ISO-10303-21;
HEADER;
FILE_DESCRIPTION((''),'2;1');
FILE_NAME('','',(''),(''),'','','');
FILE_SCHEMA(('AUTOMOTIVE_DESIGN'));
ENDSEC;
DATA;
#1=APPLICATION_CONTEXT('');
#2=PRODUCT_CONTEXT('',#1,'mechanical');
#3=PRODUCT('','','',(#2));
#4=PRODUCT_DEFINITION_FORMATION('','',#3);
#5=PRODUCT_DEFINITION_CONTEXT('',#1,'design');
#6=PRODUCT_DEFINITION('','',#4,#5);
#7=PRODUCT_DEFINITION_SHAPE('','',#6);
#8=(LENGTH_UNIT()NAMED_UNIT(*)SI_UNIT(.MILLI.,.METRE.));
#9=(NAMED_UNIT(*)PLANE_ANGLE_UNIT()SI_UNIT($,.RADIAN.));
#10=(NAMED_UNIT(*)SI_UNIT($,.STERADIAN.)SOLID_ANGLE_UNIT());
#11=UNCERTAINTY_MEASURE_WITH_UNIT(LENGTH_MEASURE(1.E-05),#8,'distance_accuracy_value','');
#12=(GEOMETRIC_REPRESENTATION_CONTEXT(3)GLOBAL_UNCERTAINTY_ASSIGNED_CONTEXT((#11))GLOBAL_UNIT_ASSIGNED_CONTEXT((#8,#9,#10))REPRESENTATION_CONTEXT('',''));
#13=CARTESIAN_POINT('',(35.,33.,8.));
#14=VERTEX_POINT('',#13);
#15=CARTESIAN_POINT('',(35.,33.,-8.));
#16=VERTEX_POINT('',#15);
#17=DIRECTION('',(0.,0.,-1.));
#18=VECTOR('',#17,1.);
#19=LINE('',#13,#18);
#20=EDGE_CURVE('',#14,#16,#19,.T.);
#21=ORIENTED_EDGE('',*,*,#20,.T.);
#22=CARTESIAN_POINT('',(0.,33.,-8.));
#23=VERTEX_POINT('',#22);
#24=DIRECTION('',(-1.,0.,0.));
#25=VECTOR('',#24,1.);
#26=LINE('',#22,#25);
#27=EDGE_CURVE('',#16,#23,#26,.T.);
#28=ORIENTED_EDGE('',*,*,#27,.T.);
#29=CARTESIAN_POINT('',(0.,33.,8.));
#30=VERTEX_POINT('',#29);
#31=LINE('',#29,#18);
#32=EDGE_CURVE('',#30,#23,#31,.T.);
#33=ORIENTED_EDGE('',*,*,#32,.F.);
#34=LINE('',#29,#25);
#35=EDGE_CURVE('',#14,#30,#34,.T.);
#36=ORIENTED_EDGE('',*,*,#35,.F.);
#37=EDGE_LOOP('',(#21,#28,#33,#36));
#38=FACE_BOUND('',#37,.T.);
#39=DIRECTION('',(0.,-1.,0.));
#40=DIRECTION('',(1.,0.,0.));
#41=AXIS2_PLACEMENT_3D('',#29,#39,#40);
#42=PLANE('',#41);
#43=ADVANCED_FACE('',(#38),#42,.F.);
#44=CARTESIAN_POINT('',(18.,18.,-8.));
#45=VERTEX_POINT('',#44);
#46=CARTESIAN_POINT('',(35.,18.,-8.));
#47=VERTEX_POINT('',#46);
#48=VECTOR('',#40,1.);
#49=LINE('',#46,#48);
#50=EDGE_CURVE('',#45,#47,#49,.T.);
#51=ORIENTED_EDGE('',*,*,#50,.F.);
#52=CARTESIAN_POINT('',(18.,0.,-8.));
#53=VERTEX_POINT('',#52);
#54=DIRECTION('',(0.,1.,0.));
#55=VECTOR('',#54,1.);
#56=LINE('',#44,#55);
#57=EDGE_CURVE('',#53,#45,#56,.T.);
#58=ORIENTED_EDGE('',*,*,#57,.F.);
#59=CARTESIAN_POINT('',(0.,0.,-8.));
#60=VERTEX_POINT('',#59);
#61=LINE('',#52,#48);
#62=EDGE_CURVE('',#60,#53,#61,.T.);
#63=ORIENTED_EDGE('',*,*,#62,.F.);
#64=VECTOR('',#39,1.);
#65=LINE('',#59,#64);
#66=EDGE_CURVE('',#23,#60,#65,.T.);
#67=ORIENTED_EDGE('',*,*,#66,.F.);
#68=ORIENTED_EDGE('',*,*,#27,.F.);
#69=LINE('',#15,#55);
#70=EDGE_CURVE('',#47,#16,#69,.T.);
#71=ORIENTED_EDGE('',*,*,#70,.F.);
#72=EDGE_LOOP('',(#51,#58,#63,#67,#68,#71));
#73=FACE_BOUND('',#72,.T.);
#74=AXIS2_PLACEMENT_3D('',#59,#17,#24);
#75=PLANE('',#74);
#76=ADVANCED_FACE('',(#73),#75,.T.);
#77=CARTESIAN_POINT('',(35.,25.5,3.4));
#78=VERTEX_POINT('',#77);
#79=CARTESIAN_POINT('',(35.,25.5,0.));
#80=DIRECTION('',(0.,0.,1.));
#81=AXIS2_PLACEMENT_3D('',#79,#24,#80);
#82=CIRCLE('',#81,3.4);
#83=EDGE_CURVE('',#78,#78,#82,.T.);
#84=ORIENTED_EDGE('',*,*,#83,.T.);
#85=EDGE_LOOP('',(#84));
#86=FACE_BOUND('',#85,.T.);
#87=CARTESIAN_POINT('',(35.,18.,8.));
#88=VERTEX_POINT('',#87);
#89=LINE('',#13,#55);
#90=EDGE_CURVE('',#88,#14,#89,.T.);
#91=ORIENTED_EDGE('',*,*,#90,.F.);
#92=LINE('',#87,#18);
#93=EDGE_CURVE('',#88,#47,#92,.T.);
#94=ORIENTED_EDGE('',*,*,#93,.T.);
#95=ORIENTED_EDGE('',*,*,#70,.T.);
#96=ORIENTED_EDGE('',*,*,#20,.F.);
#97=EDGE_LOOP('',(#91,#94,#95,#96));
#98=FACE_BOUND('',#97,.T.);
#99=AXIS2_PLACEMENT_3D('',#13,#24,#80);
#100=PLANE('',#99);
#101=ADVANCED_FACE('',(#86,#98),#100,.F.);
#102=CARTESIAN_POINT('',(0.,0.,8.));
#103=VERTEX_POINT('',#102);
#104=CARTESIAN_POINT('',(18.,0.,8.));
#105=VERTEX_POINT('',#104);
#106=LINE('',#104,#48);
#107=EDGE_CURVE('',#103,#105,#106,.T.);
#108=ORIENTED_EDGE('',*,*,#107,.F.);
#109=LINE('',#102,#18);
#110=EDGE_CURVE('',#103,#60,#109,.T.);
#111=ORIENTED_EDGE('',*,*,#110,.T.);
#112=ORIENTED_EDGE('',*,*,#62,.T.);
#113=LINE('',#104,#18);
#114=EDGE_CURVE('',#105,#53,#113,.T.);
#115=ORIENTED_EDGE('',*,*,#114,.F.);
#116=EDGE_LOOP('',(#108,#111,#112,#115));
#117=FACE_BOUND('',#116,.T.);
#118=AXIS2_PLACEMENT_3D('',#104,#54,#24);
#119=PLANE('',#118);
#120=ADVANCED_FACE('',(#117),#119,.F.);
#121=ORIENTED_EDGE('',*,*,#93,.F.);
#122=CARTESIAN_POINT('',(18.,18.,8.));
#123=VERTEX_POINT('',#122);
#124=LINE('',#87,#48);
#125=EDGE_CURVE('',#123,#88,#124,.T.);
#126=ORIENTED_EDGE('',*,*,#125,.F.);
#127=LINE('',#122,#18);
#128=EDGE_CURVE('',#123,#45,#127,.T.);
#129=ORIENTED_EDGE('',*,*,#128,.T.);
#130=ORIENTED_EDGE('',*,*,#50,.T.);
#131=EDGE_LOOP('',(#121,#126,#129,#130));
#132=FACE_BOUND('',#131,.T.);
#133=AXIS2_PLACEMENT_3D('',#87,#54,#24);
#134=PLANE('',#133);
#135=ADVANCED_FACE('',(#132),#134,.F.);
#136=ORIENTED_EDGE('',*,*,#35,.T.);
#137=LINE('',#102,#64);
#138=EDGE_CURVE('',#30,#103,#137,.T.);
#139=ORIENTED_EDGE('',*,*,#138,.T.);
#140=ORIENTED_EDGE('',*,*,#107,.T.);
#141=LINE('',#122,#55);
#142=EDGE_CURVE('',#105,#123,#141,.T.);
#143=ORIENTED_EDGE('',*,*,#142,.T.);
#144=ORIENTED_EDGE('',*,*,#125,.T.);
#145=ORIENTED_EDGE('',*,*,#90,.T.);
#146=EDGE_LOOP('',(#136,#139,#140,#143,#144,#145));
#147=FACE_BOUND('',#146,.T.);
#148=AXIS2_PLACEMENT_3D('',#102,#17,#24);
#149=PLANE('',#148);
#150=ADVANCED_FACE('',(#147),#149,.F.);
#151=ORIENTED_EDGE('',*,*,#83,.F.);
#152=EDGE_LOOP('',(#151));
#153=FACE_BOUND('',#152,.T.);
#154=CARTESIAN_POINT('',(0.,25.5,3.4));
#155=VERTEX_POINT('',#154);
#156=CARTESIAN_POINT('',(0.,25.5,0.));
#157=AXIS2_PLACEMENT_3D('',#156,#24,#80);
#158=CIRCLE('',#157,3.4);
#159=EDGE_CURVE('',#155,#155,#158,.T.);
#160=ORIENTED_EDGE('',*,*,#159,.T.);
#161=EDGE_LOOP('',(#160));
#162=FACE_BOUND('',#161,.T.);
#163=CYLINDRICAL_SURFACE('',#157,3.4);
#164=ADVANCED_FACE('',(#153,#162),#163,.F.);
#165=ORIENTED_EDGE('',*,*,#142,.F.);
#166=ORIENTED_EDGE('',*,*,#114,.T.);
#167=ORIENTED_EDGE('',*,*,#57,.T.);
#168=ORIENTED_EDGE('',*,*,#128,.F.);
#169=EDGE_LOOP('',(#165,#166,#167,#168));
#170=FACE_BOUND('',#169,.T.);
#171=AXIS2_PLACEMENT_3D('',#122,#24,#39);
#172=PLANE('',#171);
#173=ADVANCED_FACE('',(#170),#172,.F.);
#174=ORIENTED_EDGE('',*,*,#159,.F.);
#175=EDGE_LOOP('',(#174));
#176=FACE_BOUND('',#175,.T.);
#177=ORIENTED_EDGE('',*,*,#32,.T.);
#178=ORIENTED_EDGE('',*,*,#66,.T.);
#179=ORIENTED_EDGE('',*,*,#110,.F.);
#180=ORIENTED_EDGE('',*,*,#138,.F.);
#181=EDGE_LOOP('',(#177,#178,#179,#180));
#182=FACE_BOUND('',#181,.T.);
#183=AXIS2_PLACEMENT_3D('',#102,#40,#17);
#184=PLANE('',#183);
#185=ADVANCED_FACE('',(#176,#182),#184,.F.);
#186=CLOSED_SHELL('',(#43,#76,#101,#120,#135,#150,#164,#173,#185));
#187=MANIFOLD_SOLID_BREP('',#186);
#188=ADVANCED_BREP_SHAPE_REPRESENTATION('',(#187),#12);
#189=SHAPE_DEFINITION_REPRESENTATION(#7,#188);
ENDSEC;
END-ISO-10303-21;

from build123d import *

# Parameters (mm, degrees)
EXTRUDE_1_DEPTH    = 8
HOLE_WIZARD_M8_1_D = 6.8


with BuildPart() as part:
    # 스케치1 → 보스-돌출1 (new body, symmetric)
    with BuildSketch(Plane.XY):
        Polygon((0, 0), (0, 33), (35, 33), (35, 18), (18, 18), (18, 0), align=None)
    extrude(amount=EXTRUDE_1_DEPTH, both=True)

    # M8 나사 구멍1 (through all)
    with Locations(Plane.ZY):
        with Locations((0, 25.5)):
            Hole(HOLE_WIZARD_M8_1_D / 2)


solid = part.part
